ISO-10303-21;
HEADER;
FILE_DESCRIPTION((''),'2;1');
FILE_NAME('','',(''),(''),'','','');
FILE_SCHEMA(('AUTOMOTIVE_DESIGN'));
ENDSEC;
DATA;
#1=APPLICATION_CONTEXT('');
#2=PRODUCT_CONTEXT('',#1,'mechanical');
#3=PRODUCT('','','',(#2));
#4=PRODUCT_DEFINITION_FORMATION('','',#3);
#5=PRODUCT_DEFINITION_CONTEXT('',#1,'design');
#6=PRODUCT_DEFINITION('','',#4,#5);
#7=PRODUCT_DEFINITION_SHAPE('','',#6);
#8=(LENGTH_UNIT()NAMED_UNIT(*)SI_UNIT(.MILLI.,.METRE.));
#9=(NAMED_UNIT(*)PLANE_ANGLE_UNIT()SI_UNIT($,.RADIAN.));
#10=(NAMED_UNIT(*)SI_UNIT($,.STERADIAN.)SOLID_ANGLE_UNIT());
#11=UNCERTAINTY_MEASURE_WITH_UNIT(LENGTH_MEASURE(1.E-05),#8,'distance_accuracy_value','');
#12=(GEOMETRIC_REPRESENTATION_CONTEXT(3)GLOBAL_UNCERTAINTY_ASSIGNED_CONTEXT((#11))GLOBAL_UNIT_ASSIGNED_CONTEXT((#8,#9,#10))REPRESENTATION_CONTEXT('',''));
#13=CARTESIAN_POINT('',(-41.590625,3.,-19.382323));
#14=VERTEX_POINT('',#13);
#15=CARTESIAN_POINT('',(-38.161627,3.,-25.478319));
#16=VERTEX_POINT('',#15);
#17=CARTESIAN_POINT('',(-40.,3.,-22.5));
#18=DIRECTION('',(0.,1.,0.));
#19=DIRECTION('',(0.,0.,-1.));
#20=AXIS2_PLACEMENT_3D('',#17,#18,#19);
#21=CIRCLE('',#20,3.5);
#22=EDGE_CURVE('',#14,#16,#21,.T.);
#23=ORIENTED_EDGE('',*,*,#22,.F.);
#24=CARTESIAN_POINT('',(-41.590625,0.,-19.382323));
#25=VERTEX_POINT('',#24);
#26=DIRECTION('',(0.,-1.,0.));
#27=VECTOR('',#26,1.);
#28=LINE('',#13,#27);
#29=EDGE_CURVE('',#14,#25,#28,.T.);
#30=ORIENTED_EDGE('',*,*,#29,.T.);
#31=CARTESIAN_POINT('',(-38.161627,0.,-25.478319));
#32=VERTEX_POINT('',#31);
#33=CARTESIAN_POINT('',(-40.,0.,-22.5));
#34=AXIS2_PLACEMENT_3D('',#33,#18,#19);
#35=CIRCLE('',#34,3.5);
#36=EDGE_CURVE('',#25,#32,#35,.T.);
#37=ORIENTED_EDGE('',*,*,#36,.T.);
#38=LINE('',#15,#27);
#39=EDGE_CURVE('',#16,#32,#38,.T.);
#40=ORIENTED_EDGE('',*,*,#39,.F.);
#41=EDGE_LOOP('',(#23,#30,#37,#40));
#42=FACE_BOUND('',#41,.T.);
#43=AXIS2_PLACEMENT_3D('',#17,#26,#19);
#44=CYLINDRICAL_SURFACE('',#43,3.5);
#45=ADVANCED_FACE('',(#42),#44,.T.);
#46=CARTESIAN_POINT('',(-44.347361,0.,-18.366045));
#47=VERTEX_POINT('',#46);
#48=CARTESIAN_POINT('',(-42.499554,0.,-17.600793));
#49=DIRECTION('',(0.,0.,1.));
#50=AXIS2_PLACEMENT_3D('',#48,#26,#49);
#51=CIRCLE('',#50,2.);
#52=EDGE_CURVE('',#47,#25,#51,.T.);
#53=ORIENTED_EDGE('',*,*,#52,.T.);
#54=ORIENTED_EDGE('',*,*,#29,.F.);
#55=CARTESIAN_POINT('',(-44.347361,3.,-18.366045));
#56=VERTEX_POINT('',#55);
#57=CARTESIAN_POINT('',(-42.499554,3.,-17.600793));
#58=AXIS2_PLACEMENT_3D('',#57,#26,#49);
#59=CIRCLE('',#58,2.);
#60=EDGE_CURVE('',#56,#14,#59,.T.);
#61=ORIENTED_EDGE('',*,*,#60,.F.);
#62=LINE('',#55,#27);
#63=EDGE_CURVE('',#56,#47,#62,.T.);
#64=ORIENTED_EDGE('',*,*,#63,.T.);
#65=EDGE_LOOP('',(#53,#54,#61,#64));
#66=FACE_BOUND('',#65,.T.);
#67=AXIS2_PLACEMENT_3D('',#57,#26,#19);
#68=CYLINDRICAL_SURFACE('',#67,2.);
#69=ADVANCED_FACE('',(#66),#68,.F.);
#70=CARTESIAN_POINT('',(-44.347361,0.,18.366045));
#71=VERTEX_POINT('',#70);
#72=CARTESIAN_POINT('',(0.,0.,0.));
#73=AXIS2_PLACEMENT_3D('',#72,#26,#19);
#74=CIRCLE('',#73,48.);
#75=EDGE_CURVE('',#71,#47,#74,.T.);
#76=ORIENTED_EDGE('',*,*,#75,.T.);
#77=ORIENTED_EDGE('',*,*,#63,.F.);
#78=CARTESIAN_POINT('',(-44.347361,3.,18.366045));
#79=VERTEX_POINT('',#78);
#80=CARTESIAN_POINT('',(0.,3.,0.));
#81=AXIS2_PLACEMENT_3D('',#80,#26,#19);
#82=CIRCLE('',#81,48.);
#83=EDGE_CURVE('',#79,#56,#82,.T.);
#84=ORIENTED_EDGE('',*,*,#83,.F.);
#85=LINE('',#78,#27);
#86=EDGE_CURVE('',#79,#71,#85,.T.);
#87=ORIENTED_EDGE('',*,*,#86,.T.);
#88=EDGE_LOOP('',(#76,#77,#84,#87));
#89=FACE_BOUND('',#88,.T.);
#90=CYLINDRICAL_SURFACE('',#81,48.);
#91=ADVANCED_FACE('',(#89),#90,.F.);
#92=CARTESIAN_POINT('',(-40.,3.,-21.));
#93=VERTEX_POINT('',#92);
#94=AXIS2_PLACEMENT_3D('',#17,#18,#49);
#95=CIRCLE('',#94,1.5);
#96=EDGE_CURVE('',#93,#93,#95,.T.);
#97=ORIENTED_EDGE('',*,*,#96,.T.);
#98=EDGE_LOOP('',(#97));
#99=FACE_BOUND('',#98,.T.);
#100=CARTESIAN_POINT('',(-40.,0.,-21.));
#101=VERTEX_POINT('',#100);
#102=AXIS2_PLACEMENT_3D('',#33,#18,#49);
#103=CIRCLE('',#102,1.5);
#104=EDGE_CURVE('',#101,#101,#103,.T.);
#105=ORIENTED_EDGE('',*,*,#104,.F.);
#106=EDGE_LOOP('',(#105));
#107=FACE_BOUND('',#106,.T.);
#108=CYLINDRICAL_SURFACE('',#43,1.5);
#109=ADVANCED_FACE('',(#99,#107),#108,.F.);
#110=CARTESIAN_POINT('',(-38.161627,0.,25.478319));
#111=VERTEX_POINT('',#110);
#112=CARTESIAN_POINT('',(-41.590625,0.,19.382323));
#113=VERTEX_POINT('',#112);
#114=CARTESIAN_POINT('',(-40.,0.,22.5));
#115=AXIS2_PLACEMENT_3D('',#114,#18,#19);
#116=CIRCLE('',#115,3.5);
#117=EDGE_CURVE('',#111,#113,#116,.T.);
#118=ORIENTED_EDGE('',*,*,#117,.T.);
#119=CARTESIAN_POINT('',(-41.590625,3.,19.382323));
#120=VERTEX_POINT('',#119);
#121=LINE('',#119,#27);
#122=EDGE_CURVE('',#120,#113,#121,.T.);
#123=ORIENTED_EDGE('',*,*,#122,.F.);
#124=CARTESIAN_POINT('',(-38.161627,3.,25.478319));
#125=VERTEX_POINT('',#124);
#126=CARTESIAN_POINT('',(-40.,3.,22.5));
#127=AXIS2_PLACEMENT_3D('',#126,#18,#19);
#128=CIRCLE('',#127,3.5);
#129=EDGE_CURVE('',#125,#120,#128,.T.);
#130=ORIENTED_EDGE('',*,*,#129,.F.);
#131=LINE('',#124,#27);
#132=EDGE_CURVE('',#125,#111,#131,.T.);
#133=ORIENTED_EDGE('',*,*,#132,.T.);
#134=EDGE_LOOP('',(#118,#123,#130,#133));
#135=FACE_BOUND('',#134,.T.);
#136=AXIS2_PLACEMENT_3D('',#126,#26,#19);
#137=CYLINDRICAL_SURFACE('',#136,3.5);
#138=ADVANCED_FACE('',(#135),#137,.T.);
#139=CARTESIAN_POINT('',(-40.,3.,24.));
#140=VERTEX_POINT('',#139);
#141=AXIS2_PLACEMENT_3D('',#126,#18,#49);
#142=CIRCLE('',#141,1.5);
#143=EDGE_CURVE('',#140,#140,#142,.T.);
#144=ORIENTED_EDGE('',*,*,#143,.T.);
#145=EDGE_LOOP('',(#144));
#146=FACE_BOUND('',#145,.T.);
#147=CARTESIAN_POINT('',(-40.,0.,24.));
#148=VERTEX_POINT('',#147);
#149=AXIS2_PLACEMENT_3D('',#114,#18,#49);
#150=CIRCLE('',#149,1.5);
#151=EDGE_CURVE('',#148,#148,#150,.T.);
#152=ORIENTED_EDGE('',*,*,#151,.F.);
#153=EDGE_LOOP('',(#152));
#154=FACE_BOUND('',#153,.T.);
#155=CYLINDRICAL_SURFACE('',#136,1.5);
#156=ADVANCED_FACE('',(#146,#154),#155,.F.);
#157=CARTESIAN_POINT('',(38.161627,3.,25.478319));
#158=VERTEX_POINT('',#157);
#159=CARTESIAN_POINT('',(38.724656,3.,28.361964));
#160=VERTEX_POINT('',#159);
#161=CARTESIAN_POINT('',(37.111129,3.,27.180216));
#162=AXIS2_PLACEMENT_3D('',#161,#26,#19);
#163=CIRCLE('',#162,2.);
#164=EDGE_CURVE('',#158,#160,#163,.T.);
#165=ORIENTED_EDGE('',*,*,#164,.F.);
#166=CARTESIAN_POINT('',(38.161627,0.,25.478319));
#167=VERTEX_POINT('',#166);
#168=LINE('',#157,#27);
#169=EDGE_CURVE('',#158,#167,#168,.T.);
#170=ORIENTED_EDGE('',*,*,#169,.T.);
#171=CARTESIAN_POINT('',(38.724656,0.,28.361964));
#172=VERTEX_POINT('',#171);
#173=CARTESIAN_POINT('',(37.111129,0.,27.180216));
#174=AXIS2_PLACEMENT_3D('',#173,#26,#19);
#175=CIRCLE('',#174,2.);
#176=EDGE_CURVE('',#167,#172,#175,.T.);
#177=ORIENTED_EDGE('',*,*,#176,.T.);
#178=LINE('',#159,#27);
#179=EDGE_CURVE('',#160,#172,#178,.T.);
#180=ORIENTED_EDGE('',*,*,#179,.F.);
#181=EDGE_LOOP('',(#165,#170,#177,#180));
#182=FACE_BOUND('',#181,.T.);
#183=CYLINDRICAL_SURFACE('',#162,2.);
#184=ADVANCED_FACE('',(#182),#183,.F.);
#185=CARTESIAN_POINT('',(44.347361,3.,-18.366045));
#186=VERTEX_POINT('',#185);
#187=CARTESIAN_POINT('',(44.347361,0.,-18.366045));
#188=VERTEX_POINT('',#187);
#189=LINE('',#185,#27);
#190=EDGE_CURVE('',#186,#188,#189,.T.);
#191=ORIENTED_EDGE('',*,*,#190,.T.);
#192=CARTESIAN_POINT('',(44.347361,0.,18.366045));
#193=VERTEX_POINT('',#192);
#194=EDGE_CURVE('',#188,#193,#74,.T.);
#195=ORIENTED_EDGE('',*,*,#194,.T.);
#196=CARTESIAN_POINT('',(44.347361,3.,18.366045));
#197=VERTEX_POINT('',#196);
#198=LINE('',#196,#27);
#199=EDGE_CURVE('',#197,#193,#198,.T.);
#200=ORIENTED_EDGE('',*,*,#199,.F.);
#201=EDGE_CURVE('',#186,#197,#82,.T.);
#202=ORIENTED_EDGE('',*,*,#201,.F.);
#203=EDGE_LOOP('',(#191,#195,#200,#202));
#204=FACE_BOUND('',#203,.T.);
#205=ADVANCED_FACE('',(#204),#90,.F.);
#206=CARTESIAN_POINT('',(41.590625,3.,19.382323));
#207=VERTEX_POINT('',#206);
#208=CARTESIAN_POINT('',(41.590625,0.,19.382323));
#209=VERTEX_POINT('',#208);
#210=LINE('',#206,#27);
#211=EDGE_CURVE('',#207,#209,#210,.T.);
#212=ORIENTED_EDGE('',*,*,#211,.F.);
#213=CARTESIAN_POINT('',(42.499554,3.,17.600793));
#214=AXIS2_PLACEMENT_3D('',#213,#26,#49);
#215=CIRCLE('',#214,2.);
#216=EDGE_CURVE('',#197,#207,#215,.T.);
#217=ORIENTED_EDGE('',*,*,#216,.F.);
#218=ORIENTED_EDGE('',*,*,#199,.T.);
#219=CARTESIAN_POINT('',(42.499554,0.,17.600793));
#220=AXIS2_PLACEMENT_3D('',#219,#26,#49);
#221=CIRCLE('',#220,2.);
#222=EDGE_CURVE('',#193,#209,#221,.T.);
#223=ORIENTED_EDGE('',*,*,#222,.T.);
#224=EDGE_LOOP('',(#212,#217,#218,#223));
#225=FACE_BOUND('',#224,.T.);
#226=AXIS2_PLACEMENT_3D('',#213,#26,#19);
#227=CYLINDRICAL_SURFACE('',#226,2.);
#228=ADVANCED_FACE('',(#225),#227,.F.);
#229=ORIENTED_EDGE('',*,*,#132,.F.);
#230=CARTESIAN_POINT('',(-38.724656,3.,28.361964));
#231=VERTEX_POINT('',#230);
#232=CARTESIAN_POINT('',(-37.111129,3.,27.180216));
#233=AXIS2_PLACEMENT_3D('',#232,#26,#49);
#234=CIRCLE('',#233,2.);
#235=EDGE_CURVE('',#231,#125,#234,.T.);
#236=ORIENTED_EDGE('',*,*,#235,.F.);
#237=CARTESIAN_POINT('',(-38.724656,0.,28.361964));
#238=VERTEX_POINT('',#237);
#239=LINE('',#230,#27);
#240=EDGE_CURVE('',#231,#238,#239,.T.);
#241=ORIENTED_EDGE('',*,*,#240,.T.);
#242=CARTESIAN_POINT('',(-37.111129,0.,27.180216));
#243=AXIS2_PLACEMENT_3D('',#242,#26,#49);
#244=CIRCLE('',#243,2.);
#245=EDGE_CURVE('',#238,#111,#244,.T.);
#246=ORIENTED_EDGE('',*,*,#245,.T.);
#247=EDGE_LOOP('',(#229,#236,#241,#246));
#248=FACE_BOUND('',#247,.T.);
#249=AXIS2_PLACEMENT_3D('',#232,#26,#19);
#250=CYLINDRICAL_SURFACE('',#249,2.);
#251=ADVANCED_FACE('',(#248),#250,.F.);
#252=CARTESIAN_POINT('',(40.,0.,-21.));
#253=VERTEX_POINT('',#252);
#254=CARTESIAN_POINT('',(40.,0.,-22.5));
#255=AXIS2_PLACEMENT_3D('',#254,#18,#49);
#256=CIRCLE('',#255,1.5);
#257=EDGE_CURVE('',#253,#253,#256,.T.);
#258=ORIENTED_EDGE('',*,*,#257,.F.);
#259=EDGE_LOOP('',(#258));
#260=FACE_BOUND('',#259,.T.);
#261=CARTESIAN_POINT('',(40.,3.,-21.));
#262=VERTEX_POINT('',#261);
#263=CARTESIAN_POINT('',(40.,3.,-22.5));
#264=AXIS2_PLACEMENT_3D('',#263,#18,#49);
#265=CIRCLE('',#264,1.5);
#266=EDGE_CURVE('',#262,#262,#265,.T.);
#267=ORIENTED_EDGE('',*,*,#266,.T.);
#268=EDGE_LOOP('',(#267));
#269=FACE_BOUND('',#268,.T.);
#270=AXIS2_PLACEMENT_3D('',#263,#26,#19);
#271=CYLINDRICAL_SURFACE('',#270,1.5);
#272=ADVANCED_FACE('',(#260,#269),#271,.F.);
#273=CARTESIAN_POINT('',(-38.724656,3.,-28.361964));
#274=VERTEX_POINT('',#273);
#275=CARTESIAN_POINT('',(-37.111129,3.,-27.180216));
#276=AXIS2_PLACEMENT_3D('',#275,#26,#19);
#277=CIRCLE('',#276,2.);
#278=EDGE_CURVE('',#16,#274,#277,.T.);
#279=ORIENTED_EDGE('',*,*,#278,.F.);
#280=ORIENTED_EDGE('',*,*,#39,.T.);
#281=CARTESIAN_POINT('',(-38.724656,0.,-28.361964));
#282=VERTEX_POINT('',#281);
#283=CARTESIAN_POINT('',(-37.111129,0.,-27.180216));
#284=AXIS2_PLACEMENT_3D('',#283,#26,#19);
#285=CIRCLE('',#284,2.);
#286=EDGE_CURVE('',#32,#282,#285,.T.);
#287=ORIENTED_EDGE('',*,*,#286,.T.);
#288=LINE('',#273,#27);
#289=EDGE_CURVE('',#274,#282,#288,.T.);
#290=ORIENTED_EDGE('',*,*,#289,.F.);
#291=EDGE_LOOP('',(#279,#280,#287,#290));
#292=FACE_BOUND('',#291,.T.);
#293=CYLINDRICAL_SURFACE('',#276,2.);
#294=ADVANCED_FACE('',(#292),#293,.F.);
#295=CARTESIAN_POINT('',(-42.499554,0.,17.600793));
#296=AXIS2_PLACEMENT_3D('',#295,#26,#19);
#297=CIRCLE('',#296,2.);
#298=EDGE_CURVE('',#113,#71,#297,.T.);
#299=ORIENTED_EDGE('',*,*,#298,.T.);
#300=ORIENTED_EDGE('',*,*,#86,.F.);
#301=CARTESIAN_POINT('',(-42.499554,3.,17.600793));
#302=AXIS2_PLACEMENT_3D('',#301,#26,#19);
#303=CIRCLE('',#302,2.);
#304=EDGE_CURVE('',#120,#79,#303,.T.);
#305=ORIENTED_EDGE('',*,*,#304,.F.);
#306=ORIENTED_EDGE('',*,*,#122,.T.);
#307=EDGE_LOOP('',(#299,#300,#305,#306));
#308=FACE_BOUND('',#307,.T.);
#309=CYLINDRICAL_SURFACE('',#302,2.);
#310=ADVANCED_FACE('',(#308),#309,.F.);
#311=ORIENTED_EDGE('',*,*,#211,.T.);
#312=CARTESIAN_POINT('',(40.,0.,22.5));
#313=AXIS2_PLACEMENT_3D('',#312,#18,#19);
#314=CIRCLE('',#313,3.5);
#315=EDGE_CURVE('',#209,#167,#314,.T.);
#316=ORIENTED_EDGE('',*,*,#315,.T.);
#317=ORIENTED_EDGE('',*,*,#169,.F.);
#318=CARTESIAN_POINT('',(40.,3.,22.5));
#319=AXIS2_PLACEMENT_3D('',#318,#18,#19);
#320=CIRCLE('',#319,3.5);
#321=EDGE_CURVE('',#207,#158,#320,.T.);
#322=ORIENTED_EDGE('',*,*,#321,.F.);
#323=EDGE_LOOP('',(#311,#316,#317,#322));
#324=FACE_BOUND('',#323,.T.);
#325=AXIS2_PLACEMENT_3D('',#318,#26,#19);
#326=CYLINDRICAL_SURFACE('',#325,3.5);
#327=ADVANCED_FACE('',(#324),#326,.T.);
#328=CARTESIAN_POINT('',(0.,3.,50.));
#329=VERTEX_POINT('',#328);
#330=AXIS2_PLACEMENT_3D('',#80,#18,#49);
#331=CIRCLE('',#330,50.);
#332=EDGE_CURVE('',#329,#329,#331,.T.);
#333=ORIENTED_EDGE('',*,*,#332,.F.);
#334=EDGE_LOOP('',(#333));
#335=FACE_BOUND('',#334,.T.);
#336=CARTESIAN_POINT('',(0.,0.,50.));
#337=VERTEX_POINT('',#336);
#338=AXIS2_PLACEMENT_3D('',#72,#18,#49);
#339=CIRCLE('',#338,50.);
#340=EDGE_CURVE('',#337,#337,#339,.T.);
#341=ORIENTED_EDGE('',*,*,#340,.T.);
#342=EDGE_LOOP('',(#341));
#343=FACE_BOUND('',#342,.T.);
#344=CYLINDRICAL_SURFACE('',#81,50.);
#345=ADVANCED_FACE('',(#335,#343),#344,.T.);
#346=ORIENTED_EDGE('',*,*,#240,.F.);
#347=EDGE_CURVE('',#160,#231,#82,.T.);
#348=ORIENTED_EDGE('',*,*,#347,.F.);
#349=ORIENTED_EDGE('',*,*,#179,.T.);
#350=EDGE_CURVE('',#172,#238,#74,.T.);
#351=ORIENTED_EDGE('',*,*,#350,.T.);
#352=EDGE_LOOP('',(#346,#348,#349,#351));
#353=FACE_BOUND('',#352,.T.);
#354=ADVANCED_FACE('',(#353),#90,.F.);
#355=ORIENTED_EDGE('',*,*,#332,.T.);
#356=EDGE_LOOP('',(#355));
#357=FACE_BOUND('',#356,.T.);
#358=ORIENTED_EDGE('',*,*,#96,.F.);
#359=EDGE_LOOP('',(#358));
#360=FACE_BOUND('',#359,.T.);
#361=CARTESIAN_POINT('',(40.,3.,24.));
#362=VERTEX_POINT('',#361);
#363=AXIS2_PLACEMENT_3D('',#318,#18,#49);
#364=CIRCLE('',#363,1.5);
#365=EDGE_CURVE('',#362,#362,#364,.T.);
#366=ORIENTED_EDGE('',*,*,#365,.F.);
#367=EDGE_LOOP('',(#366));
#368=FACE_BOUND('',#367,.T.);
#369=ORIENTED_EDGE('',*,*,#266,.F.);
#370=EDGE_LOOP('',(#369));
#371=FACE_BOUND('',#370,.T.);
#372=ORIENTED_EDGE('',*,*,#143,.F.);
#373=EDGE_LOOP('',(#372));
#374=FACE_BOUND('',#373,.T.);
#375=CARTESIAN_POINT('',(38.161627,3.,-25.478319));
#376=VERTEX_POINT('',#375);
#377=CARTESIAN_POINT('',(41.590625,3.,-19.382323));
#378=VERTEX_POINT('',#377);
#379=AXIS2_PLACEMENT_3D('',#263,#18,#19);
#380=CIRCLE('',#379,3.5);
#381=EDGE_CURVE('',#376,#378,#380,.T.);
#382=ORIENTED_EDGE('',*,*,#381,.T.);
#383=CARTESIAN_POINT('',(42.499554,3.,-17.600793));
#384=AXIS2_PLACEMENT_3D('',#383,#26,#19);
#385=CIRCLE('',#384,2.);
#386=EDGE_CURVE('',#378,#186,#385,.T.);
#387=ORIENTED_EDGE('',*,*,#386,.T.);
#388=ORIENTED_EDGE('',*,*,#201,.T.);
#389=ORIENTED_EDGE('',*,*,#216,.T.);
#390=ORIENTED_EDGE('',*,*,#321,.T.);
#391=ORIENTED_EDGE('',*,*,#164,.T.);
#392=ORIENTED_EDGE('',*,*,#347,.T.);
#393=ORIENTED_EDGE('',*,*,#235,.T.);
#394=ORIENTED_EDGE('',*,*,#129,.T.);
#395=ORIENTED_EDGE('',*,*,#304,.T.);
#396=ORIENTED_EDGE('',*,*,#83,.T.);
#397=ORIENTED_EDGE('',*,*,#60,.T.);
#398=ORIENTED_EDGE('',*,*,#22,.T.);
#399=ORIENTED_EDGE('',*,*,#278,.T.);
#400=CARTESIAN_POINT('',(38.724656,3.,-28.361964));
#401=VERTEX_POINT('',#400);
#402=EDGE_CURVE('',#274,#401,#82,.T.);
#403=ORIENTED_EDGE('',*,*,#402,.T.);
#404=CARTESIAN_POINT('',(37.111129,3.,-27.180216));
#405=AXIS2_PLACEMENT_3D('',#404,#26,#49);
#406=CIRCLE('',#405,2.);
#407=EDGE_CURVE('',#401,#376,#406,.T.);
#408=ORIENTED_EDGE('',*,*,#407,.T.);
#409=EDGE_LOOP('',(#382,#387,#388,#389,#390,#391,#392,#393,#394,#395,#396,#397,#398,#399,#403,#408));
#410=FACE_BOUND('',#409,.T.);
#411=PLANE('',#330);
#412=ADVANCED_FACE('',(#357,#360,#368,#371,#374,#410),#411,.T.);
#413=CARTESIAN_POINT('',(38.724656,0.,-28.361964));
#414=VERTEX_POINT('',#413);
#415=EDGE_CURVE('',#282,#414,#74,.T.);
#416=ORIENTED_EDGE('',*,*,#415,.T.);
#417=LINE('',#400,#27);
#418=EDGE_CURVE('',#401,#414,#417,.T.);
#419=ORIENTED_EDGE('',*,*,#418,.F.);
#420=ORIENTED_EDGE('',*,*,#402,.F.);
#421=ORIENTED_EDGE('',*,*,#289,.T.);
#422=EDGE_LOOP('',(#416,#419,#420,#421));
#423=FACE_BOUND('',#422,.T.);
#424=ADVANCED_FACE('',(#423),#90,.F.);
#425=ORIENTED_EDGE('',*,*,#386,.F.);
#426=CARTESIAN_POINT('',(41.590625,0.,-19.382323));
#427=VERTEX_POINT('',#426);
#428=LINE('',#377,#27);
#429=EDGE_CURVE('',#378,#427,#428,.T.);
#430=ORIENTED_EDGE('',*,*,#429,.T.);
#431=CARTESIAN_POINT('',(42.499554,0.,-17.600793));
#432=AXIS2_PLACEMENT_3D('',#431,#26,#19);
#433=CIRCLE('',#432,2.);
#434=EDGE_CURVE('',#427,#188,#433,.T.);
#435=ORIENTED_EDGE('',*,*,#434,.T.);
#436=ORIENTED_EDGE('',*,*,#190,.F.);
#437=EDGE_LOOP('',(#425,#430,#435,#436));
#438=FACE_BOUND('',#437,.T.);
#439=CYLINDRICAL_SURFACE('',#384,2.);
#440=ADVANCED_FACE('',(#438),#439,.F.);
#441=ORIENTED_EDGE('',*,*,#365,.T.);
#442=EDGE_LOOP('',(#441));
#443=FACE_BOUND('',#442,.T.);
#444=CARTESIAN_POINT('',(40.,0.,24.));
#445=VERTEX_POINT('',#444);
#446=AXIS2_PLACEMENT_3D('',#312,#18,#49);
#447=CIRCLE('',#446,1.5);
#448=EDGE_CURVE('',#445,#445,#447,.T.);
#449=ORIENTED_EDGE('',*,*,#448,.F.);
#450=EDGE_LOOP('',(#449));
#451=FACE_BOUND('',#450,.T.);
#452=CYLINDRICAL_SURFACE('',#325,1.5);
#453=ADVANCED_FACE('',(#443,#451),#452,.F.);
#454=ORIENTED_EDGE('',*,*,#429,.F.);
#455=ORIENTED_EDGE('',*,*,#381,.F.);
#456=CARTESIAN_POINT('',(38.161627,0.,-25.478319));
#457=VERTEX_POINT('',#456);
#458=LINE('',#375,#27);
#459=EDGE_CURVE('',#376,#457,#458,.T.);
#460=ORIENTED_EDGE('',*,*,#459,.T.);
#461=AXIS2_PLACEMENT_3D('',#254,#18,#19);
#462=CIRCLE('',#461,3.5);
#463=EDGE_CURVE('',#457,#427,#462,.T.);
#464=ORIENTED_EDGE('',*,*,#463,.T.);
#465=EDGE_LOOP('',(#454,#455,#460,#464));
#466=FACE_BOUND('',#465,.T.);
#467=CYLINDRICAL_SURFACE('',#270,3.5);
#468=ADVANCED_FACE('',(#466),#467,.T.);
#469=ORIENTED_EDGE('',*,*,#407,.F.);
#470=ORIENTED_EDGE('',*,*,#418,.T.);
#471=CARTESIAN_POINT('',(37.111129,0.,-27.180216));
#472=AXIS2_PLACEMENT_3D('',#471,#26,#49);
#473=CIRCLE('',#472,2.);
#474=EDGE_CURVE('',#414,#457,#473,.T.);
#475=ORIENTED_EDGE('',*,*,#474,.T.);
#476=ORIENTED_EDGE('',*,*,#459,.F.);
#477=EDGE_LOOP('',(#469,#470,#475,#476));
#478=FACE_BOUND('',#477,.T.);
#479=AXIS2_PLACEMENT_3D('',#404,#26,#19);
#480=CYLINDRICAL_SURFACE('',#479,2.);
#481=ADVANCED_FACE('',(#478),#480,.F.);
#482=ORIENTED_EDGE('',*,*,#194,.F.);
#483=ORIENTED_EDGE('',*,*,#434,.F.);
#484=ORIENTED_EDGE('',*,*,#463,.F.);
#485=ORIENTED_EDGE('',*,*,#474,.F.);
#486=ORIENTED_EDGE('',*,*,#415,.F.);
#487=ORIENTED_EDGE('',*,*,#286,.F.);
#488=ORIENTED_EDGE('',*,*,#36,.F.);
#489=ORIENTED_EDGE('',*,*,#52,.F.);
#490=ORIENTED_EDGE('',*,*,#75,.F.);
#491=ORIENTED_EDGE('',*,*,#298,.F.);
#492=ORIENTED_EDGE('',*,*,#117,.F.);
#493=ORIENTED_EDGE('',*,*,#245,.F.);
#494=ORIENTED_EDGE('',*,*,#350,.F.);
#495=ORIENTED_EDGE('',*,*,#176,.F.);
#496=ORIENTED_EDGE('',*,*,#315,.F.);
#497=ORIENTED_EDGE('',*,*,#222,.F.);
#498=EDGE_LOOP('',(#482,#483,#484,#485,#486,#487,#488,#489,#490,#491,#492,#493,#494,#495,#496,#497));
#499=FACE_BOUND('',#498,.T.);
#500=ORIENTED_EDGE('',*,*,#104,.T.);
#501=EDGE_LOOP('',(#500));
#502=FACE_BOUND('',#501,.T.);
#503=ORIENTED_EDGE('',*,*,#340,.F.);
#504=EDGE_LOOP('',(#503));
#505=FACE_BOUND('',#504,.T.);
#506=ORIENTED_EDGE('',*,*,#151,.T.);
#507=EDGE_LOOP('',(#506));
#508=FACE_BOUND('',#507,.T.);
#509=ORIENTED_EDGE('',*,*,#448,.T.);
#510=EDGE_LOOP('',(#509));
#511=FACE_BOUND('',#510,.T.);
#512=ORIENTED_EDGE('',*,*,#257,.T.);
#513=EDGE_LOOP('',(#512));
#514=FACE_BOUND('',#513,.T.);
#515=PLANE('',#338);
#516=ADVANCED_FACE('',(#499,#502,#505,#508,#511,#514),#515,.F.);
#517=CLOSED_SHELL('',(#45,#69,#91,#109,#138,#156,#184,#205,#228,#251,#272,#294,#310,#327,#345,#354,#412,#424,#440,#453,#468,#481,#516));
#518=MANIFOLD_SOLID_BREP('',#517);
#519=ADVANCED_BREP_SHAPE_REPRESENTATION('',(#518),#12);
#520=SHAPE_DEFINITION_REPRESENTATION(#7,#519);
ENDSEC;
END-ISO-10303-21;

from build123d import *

# Parameters (mm, degrees)
SKETCH1_R           = 50
SKETCH1_R_2         = 1.5
BOSS_EXTRUDE1_DEPTH = 3
CUT_EXTRUDE1_DEPTH  = 71.774289117


with BuildPart() as part:
    # Sketch1 → Boss-Extrude1 (new body)
    with BuildSketch(Plane(origin=(0, 0, 0), x_dir=(1, 0, 0), z_dir=(0, 1, 0))):
        with Locations(Location((0, 0, 0), (0, 0, 270))):
            Circle(SKETCH1_R)
        with Locations(Location((-40, 22.5, 0), (0, 0, 270))):
            Circle(SKETCH1_R_2, mode=Mode.SUBTRACT)
        with Locations(Location((40, 22.5, 0), (0, 0, 270))):
            Circle(SKETCH1_R_2, mode=Mode.SUBTRACT)
        with Locations(Location((40, -22.5, 0), (0, 0, 270))):
            Circle(SKETCH1_R_2, mode=Mode.SUBTRACT)
        with Locations(Location((-40, -22.5, 0), (0, 0, 270))):
            Circle(SKETCH1_R_2, mode=Mode.SUBTRACT)
    extrude(amount=BOSS_EXTRUDE1_DEPTH)

    # Sketch2 → Cut-Extrude1 (cut, through all)
    with BuildSketch(Plane.XZ):
        with BuildLine():
            ThreePointArc((38.724655842, 28.361964493), (0, 48), (-38.724655842, 28.361964493))
            ThreePointArc((-38.724655842, 28.361964493), (-39.07406284, 26.796955174), (-38.161627237, 25.478319255))
            ThreePointArc((-38.161627237, 25.478319255), (-36.94948562, 20.784085661), (-41.590625258, 19.382322774))
            ThreePointArc((-41.590625258, 19.382322774), (-43.19134744, 19.477338108), (-44.347360672, 18.366044796))
            ThreePointArc((-44.347360672, 18.366044796), (-48, 0), (-44.347360672, -18.366044796))
            ThreePointArc((-44.347360672, -18.366044796), (-43.19134744, -19.477338108), (-41.590625258, -19.382322774))
            ThreePointArc((-41.590625258, -19.382322774), (-36.94948562, -20.784085661), (-38.161627237, -25.478319255))
            ThreePointArc((-38.161627237, -25.478319255), (-39.07406284, -26.796955174), (-38.724655842, -28.361964493))
            ThreePointArc((-38.724655842, -28.361964493), (0, -48), (38.724655842, -28.361964493))
            ThreePointArc((38.724655842, -28.361964493), (39.07406284, -26.796955174), (38.161627237, -25.478319255))
            ThreePointArc((38.161627237, -25.478319255), (36.94948562, -20.784085661), (41.590625258, -19.382322774))
            ThreePointArc((41.590625258, -19.382322774), (43.19134744, -19.477338108), (44.347360672, -18.366044796))
            ThreePointArc((44.347360672, -18.366044796), (48, 0), (44.347360672, 18.366044796))
            ThreePointArc((44.347360672, 18.366044796), (43.19134744, 19.477338108), (41.590625258, 19.382322774))
            ThreePointArc((41.590625258, 19.382322774), (36.94948562, 20.784085661), (38.161627237, 25.478319255))
            ThreePointArc((38.161627237, 25.478319255), (39.07406284, 26.796955174), (38.724655842, 28.361964493))
        make_face()
    extrude(amount=-CUT_EXTRUDE1_DEPTH, mode=Mode.SUBTRACT)


solid = part.part
